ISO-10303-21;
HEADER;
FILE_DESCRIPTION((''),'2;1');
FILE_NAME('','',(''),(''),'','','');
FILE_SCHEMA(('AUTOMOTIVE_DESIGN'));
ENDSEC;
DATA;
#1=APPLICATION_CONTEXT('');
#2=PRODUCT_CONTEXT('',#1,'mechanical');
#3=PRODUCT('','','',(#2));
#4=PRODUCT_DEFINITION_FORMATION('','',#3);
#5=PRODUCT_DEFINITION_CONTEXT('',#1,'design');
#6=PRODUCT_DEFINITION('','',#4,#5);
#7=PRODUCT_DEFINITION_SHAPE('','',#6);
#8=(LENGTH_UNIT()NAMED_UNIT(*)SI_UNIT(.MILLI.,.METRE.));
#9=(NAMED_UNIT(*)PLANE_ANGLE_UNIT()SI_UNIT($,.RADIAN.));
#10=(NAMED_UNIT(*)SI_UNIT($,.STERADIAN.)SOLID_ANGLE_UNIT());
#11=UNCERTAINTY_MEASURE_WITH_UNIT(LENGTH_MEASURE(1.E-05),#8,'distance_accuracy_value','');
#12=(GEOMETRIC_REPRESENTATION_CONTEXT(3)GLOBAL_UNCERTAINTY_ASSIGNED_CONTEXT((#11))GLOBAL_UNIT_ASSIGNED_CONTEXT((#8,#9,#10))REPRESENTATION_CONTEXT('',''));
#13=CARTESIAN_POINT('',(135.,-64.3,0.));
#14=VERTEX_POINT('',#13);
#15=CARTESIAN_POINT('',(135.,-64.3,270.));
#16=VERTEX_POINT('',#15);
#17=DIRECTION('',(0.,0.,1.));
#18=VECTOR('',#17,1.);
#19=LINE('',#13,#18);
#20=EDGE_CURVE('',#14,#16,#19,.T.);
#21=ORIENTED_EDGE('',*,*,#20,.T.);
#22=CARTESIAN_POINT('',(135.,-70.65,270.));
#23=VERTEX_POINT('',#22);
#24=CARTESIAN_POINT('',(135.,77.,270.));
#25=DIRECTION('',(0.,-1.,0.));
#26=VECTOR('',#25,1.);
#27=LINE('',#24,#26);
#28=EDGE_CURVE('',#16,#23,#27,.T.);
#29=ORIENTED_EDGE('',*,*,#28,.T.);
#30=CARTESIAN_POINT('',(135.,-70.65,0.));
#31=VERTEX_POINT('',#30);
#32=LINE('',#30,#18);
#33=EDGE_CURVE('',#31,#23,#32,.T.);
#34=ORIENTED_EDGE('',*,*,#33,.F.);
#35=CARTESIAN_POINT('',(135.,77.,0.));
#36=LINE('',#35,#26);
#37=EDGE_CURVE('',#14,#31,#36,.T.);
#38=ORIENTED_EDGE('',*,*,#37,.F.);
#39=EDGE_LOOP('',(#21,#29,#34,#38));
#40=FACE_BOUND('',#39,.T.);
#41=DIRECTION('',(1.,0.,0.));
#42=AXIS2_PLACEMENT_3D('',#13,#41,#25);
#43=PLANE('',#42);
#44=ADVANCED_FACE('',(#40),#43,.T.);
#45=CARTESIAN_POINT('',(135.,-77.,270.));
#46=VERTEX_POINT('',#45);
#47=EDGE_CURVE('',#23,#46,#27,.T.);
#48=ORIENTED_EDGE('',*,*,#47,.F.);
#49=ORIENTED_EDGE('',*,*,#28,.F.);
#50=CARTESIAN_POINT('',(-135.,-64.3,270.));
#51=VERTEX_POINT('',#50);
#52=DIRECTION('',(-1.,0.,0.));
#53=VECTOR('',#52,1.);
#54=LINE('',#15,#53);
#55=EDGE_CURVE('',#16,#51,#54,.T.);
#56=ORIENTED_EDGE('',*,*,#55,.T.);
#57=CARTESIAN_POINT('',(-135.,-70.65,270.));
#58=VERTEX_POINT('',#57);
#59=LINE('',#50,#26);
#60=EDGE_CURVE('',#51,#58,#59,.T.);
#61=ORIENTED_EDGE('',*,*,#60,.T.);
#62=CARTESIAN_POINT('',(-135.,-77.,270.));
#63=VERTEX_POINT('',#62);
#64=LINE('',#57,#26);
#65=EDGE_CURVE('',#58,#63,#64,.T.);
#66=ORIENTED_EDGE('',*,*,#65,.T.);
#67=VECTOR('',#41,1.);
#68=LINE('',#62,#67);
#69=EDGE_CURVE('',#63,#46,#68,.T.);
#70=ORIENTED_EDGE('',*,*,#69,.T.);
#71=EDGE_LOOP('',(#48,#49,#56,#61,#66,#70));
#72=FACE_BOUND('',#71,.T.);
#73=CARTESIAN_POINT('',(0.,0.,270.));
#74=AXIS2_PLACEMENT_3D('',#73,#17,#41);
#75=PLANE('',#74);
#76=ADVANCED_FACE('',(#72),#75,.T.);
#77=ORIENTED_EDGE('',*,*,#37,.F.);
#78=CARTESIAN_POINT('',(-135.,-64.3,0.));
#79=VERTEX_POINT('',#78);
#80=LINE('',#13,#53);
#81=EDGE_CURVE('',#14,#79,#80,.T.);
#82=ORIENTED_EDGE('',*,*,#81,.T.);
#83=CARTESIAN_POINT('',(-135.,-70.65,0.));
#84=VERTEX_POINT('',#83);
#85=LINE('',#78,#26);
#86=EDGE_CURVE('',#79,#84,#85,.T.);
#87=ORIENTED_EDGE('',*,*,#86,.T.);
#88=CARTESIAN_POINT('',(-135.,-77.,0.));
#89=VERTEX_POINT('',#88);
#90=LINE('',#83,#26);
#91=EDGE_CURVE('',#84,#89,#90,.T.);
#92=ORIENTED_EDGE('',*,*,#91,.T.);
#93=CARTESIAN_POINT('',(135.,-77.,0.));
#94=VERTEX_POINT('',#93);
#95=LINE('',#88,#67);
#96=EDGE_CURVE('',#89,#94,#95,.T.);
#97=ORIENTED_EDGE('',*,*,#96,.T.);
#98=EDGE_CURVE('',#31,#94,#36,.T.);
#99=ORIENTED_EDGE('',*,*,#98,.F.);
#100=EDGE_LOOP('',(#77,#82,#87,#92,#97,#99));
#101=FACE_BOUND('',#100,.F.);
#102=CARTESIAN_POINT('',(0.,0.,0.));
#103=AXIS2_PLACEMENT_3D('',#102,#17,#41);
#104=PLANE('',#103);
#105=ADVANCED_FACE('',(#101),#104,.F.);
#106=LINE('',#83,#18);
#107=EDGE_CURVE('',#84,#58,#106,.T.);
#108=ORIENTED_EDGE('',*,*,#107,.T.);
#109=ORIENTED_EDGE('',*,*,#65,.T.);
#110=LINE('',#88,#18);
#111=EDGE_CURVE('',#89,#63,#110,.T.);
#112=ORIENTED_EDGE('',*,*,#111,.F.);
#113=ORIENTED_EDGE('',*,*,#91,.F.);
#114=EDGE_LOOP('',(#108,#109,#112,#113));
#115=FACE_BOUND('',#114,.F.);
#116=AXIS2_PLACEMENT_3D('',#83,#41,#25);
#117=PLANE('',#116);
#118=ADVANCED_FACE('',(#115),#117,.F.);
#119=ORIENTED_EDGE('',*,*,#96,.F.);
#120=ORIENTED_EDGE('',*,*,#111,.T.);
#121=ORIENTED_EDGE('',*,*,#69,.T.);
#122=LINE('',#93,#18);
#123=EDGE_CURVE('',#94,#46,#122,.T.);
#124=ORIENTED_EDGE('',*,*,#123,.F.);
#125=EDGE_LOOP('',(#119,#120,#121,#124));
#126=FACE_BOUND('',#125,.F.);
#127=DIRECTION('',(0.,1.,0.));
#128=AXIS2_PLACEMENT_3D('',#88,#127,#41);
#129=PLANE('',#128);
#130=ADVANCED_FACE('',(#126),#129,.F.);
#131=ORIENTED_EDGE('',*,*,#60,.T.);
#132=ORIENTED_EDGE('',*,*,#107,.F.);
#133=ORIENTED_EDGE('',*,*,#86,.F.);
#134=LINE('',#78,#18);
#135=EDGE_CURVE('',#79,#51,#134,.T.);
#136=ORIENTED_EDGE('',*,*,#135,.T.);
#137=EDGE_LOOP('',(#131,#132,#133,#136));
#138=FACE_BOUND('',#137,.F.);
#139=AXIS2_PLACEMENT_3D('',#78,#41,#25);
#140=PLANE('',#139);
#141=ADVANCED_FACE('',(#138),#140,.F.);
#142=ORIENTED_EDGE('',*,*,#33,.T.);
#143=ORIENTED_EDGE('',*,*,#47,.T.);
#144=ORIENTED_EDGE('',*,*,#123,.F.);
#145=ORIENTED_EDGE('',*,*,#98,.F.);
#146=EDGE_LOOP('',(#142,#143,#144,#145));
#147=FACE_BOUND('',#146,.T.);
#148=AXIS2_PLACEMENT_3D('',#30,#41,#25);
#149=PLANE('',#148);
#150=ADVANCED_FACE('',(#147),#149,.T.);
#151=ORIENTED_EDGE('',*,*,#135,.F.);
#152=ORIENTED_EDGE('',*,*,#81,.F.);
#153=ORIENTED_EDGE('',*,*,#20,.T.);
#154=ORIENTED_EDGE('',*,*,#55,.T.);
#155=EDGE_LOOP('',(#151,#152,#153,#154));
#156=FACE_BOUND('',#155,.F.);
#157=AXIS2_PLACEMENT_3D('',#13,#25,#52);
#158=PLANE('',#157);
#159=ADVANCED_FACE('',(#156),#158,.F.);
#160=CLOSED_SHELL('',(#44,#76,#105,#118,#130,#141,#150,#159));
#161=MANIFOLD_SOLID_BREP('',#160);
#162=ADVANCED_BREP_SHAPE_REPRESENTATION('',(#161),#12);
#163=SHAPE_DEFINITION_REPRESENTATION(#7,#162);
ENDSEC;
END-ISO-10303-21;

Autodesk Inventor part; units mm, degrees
ref_plane "YZ Plane" through (0, 0, 0) normal (1, 0, 0) x (0, 1, 0)
ref_plane "XZ Plane" through (0, 0, 0) normal (0, 1, 0) x (-1, 0, 0)
ref_plane "XY Plane" through (0, 0, 0) normal (0, 0, 1) x (1, 0, 0)
sketch "Sketch1" plane through (0, 0, 0) normal (0, 0, 1) x (1, 0, 0)
  line L0 (135, 77) -> (135, -77) projected
  line L1 (-135, -77) -> (135, -77)
  line L2 (135, -77) -> (135, -70.65)
  line L3 (-135, -70.65) -> (-135, -77)
  line L4 (-135, -77) -> (135, -77)
  line L5 (135, -77) -> (135, -64.3)
  line L6 (135, -64.3) -> (-135, -64.3)
  line L7 (-135, -64.3) -> (-135, -77)
  point P0 (0, 0)
  point P1 (-135, -7)
extrude "Extrusion1" add sketch "Sketch1" along normal blind 270
properties part number "Bottom"
